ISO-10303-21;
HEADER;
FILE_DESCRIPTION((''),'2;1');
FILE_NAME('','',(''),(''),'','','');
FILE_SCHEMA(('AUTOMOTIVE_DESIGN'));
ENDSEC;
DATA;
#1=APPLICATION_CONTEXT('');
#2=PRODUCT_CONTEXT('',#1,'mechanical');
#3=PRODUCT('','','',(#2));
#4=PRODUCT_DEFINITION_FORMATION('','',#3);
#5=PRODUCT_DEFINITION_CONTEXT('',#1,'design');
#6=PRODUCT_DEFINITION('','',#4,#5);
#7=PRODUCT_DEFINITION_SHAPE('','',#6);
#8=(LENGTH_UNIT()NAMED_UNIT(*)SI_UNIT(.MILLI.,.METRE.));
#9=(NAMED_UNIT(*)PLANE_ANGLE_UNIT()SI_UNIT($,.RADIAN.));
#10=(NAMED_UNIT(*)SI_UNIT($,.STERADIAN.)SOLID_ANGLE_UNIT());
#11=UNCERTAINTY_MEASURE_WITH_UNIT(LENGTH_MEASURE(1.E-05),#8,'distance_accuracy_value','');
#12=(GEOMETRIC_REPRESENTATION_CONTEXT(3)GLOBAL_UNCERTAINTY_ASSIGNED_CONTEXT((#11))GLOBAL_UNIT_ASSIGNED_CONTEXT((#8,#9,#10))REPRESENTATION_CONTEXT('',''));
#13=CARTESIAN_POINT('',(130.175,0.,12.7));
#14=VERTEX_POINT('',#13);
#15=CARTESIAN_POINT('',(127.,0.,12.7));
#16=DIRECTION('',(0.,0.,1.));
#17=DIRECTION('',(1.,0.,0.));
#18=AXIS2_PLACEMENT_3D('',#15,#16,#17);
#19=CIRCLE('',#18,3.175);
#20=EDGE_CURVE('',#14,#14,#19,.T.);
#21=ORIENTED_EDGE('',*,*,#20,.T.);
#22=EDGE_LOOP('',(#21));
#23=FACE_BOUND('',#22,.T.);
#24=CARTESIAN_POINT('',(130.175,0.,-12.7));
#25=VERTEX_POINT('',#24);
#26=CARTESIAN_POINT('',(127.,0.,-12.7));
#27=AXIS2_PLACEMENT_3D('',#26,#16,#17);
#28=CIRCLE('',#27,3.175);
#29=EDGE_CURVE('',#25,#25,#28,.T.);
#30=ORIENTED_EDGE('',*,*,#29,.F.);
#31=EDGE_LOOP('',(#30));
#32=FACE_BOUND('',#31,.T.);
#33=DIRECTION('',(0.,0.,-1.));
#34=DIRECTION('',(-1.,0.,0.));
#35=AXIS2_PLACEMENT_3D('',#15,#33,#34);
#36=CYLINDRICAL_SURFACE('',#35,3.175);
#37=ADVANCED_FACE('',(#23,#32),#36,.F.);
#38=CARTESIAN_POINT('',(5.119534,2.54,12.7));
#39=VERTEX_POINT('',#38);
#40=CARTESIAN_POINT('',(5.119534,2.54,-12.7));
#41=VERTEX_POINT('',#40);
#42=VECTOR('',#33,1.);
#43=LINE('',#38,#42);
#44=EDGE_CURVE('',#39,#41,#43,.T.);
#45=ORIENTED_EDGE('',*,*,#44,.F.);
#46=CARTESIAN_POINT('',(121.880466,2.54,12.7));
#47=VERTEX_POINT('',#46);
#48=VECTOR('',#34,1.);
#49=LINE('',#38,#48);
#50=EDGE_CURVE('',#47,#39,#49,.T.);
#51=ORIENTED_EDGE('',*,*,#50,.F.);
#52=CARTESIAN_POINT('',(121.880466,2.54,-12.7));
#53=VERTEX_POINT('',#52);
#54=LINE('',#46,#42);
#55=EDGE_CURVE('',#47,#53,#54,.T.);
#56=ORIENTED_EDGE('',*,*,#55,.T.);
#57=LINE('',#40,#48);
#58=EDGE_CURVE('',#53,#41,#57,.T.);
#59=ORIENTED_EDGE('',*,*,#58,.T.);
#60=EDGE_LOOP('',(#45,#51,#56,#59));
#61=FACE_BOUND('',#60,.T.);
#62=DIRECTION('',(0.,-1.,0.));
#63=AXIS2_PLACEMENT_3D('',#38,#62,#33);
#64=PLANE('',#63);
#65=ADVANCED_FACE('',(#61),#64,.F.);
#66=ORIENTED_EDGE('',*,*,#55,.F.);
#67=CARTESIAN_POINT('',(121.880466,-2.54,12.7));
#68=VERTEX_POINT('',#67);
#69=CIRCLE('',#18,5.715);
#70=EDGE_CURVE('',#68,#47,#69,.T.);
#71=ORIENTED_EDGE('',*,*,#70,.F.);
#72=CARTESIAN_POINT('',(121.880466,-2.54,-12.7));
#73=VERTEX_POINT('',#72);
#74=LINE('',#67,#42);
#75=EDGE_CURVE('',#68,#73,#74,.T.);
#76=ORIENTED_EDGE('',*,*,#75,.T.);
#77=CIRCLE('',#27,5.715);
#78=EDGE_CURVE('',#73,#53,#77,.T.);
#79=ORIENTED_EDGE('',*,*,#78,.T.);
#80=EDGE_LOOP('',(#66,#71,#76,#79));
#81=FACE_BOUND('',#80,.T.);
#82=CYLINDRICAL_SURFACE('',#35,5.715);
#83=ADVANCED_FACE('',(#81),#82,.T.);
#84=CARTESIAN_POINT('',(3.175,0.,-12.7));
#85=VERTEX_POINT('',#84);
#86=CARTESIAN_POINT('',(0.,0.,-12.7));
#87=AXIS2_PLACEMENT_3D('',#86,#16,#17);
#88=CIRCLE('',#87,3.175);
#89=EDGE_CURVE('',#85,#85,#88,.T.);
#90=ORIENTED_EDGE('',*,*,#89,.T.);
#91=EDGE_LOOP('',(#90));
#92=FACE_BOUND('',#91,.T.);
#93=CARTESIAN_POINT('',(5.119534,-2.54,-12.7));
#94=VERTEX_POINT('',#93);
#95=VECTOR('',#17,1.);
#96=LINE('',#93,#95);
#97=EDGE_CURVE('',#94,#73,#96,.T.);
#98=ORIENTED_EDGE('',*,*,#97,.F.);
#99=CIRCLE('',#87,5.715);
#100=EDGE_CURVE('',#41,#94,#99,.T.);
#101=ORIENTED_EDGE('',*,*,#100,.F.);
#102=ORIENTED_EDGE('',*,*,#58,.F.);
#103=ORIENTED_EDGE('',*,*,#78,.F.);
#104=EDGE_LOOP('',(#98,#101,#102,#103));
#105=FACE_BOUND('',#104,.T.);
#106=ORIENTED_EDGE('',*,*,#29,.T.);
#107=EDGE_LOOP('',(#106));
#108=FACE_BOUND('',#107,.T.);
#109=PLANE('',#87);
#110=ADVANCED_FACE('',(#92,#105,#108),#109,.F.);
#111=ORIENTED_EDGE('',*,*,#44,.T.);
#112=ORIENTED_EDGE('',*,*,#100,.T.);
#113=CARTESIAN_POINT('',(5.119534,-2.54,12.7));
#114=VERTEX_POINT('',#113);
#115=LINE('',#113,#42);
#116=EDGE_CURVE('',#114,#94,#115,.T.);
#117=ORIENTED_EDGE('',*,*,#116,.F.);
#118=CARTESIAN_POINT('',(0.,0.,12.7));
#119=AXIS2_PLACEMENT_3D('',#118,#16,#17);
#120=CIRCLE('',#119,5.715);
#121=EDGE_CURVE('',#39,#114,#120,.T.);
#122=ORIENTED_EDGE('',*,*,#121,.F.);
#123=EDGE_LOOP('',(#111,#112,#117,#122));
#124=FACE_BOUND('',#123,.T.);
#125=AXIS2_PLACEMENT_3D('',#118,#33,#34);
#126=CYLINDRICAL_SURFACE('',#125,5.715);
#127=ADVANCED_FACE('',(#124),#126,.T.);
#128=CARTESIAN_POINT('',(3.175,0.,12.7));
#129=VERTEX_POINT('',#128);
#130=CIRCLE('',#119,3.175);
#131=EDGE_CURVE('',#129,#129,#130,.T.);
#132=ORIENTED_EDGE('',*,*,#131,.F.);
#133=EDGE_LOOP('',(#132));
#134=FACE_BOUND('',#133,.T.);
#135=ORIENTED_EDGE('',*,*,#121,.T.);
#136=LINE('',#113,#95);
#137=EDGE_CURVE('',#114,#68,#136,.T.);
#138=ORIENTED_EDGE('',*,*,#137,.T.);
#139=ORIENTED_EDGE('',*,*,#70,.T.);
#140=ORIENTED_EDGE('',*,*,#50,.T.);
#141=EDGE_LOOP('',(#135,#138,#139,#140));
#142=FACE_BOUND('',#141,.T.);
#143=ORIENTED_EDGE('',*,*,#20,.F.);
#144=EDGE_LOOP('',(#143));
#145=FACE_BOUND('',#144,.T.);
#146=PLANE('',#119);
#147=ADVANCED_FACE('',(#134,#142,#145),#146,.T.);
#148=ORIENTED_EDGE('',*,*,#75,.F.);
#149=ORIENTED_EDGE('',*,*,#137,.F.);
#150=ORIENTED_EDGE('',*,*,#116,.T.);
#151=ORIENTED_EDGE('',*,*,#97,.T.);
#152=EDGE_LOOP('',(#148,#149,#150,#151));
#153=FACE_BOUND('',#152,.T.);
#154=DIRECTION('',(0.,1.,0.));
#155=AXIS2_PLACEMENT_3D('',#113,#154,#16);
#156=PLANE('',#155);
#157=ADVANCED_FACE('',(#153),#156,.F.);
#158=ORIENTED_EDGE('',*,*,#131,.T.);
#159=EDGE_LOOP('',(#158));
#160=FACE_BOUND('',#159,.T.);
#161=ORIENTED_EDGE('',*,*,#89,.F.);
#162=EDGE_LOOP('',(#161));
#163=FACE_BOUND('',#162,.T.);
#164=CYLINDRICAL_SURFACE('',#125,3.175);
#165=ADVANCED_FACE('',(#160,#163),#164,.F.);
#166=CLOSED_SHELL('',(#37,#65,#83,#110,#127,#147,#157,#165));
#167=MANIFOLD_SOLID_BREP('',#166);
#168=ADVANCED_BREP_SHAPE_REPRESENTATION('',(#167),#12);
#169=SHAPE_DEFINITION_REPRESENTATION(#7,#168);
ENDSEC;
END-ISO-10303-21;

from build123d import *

# Parameters (mm, degrees)
SKETCH1_R           = 3.175
BOSS_EXTRUDE1_DEPTH = 12.7


with BuildPart() as part:
    # Sketch1 → Boss-Extrude1 (new body, symmetric)
    with BuildSketch(Plane.XY):
        with BuildLine():
            Line((5.11953367, 2.54), (121.88046633, 2.54))
            ThreePointArc((121.88046633, 2.54), (132.715, 0), (121.88046633, -2.54))
            Line((121.88046633, -2.54), (5.11953367, -2.54))
            ThreePointArc((5.11953367, -2.54), (-5.715, 0), (5.11953367, 2.54))
        make_face()
        Circle(SKETCH1_R, mode=Mode.SUBTRACT)
        with Locations((127, 0)):
            Circle(SKETCH1_R, mode=Mode.SUBTRACT)
    extrude(amount=BOSS_EXTRUDE1_DEPTH, both=True)


solid = part.part
